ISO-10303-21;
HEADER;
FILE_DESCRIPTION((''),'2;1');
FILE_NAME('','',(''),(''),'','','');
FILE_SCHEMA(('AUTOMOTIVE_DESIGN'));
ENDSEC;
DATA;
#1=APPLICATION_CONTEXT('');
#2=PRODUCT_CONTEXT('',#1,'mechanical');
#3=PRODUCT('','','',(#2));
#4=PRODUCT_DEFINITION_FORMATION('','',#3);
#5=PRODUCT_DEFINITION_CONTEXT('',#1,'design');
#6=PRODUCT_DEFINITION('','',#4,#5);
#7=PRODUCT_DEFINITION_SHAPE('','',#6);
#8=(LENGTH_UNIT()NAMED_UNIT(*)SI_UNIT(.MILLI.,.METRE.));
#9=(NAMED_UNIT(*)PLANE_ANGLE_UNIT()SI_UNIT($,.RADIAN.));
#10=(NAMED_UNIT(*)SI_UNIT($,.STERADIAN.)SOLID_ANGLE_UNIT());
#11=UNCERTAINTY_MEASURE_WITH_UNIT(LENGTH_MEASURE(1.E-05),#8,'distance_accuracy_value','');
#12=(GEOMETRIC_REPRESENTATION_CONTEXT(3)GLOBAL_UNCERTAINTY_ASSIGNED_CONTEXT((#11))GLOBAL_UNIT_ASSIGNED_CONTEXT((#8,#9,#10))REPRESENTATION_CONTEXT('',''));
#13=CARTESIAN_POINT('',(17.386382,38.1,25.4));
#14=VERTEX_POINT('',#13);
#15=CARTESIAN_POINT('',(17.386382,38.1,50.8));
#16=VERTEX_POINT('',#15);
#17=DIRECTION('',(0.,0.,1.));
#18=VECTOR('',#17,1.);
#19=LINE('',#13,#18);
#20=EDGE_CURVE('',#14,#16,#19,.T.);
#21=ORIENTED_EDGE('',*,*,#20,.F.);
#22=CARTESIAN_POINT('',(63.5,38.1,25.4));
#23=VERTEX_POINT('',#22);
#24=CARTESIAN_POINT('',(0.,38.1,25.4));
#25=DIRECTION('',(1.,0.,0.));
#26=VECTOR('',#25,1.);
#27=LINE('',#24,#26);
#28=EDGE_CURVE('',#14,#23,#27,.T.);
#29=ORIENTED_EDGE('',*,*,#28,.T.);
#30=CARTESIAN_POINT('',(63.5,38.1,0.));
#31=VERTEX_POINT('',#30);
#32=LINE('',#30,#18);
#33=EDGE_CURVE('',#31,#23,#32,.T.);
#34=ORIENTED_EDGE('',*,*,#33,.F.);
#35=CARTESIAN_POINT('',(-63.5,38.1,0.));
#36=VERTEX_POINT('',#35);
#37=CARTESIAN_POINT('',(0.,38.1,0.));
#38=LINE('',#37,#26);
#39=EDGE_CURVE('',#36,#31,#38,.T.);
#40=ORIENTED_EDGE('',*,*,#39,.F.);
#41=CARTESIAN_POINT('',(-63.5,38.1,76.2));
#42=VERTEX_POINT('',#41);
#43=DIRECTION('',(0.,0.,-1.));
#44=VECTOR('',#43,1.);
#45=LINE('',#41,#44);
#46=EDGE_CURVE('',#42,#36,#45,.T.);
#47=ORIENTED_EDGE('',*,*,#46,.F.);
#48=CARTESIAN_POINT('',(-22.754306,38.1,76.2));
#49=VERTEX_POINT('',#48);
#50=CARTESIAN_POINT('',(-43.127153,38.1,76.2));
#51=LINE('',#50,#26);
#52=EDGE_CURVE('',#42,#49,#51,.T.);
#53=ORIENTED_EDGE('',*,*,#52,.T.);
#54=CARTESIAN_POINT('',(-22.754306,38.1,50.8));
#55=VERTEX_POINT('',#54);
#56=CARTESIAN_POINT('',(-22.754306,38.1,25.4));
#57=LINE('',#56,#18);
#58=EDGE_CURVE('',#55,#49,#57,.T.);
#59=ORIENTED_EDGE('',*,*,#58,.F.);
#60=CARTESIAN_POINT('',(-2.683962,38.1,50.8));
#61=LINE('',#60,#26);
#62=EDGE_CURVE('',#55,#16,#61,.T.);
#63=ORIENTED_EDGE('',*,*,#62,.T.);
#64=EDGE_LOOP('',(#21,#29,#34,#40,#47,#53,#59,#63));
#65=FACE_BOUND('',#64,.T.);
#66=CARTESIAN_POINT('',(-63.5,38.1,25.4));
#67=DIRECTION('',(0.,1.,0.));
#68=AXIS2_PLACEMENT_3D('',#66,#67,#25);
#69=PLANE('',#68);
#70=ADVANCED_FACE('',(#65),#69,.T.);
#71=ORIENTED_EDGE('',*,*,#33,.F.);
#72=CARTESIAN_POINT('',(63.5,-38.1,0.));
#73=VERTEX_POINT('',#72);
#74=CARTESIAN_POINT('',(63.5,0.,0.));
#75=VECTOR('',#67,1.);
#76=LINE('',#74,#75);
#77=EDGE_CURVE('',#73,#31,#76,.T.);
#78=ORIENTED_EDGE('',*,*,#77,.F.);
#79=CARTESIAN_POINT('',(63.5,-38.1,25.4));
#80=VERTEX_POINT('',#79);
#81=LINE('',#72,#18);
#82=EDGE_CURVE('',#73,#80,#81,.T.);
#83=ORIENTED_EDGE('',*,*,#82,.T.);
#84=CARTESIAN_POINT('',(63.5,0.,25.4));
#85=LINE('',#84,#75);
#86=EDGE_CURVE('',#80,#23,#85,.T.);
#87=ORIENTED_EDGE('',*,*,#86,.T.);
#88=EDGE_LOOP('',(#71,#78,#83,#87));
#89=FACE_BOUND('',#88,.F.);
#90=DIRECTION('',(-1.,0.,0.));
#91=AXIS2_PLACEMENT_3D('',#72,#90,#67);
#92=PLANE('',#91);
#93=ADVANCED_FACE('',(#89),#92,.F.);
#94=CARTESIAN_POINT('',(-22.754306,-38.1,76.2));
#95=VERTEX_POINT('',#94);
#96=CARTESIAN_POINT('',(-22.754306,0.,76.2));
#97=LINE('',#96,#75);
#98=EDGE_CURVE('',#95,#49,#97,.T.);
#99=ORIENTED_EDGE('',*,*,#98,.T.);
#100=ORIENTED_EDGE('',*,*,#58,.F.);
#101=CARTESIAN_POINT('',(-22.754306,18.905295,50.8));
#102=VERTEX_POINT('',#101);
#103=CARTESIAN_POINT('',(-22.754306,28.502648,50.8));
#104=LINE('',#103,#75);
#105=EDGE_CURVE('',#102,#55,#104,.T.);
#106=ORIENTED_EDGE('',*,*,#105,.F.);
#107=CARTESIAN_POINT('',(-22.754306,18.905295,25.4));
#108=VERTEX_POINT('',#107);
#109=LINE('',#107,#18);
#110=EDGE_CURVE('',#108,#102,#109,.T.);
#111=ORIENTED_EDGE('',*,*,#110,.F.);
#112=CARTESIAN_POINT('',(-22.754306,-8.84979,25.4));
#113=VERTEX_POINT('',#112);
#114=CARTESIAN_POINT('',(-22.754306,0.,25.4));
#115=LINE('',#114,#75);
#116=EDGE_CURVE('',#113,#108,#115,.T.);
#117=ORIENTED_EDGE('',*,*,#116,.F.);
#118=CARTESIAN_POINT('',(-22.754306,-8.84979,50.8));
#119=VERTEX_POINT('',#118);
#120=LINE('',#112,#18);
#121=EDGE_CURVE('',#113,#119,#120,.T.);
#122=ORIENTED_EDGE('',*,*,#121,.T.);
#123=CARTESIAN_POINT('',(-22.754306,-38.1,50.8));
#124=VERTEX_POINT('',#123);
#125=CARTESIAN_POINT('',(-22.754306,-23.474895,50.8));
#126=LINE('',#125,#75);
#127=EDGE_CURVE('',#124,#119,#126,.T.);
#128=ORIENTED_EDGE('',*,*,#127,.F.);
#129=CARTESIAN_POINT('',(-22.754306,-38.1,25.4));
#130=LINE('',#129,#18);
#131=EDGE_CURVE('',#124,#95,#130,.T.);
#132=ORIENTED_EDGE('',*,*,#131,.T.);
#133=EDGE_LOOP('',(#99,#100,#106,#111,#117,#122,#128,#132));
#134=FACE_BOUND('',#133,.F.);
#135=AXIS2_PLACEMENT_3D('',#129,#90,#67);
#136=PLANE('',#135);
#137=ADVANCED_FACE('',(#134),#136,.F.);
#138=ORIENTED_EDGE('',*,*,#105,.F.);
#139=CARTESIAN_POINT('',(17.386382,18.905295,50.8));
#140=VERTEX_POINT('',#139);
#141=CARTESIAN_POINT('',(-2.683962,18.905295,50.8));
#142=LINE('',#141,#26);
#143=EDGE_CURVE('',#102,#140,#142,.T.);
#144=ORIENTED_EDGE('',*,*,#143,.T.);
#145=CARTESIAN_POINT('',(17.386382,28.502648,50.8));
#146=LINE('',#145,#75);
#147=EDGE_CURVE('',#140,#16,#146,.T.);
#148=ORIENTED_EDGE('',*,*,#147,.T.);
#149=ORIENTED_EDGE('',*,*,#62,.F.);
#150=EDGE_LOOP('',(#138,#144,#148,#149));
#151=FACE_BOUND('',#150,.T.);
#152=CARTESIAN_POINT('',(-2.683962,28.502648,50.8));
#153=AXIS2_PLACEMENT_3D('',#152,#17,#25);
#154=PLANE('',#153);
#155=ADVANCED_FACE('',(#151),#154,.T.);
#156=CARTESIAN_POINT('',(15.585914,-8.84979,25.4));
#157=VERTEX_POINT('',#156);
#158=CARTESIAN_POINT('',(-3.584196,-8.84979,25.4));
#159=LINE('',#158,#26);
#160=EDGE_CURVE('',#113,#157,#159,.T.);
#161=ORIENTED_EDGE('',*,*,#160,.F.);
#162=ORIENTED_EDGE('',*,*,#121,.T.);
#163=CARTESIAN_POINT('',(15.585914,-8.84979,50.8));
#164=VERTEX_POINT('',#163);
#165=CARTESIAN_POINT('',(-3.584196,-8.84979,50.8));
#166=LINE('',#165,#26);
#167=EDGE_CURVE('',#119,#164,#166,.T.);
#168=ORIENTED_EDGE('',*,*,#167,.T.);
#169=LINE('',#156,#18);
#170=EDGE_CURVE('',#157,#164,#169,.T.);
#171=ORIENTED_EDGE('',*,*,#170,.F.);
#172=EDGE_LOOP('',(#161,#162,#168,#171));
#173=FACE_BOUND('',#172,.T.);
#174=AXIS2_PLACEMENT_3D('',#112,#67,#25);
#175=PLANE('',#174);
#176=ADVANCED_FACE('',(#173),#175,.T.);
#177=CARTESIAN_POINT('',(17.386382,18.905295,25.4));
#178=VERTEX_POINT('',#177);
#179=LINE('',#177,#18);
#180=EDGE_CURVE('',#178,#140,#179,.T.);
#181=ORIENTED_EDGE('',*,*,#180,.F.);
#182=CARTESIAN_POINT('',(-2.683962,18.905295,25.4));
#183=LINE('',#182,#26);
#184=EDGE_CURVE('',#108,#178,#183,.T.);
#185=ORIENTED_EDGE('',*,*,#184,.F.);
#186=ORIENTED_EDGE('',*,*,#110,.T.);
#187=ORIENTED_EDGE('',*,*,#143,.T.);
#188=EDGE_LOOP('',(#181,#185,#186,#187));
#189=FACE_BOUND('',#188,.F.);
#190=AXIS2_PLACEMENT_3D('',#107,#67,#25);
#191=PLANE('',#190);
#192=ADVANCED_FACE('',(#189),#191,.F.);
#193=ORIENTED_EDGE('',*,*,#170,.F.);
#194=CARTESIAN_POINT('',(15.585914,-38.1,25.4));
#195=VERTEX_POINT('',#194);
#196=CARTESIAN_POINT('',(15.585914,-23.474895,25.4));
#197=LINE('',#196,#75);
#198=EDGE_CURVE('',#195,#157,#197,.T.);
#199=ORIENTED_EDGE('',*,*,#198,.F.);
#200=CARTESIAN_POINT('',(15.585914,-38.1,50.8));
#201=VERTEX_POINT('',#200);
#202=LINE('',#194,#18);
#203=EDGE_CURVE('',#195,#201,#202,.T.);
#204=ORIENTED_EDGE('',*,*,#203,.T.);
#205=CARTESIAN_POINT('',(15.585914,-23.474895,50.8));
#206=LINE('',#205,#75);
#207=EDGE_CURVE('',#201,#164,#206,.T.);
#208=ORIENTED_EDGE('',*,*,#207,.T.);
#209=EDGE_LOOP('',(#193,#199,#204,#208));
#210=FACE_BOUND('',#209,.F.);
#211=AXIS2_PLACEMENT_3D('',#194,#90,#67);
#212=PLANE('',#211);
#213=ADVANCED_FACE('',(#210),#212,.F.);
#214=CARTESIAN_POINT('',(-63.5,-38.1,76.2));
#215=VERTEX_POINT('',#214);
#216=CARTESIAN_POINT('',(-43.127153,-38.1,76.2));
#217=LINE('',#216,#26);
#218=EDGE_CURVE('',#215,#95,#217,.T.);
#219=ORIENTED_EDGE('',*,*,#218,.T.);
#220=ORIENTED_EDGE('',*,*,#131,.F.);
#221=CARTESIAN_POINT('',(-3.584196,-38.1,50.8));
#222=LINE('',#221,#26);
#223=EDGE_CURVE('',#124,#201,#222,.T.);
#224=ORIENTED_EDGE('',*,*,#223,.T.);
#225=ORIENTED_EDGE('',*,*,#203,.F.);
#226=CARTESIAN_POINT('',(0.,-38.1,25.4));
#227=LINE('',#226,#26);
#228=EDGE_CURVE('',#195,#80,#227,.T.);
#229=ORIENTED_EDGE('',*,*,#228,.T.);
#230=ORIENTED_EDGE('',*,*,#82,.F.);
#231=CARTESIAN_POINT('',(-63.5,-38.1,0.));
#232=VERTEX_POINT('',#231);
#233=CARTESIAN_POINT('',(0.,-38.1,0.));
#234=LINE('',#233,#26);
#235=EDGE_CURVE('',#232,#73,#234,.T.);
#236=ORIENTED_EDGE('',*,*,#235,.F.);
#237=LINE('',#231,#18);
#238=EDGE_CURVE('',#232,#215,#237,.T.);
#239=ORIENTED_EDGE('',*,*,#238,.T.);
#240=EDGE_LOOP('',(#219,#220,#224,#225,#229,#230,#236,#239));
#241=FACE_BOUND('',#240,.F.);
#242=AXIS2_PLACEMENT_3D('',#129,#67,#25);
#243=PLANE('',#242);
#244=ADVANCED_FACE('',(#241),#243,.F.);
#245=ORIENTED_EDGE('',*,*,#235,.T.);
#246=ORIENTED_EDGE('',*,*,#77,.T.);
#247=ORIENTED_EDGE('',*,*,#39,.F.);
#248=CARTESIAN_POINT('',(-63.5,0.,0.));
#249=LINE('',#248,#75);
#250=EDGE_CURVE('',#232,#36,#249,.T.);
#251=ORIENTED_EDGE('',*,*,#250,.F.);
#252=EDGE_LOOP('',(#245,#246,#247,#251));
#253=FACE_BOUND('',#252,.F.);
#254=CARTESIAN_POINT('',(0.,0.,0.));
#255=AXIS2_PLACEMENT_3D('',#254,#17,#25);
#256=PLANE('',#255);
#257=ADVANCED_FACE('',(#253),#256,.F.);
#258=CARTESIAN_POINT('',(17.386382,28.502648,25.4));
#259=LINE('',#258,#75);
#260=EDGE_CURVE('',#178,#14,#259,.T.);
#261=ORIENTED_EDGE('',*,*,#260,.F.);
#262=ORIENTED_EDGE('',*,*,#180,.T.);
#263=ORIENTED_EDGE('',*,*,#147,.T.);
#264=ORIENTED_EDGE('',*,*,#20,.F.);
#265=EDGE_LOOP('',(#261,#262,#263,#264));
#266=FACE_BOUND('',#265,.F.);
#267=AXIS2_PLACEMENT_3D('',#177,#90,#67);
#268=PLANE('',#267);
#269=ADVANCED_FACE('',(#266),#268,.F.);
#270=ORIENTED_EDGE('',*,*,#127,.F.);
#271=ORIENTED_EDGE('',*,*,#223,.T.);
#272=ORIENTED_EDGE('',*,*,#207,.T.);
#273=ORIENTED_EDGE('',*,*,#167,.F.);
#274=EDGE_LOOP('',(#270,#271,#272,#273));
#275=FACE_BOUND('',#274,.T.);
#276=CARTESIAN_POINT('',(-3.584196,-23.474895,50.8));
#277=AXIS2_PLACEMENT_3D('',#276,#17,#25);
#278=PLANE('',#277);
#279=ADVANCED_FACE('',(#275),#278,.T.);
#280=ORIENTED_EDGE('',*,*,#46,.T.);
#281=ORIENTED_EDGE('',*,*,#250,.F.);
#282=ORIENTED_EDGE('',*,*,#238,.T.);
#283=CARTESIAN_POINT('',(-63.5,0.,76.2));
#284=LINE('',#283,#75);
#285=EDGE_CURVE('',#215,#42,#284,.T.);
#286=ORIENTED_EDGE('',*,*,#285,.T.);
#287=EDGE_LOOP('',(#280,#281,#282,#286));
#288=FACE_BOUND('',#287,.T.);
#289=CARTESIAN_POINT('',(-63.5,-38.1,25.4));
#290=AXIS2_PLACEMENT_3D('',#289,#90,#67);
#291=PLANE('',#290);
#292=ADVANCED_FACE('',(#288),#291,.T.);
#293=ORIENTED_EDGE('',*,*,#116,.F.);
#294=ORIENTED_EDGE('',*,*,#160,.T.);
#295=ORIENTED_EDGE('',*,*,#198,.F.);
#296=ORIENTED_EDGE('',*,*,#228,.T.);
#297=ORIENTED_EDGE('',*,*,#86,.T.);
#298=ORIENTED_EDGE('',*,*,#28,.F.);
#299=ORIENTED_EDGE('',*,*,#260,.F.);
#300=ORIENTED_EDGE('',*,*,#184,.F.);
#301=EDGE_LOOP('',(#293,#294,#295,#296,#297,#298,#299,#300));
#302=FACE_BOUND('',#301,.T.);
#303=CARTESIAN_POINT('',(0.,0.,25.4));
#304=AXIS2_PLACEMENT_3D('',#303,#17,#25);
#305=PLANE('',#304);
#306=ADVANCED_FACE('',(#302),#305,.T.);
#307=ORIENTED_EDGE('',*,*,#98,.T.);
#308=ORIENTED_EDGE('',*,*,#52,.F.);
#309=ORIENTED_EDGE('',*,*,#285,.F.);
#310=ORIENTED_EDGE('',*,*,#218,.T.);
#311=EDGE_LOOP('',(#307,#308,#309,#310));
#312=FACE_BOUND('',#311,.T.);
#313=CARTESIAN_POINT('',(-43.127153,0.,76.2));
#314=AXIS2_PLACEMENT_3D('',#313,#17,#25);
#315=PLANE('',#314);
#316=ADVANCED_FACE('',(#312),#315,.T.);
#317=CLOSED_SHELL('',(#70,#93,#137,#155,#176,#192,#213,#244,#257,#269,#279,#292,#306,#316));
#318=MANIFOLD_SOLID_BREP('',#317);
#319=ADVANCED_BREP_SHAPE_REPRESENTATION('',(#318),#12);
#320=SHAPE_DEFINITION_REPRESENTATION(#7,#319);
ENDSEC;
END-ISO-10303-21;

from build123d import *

# Parameters (mm, degrees)
F0_W     = 127
F0_H     = 76.2
F1_DEPTH = 25.4
F2_W     = 40.7456940264
F2_H     = 76.2
F3_DEPTH = 50.8
F4_W     = 40.1406884193
F4_H     = 19.1947049409
F5_DEPTH = 25.4
F6_W     = 38.3402202278
F6_H     = 29.2502096802
F7_DEPTH = 25.4


with BuildPart() as f1:
    # F0 (on Top) → F1 (new body)
    with BuildSketch(Plane.XY):
        Rectangle(F0_W, F0_H)
    extrude(amount=F1_DEPTH)

    # F2 (on face) → F3 (join)
    with BuildSketch(Plane.XY.offset(25.4)):
        with Locations((-43.1271529868, 0)):
            Rectangle(F2_W, F2_H)
    extrude(amount=F3_DEPTH)

    # F4 (on face) → F5 (join)
    with BuildSketch(Plane.XY.offset(25.4)):
        with Locations((-2.683961764, 28.5026475295)):
            Rectangle(F4_W, F4_H)
    extrude(amount=F5_DEPTH)

    # F6 (on face) → F7 (join)
    with BuildSketch(Plane.XY.offset(25.4)):
        with Locations((-3.5841958597, -23.4748951599)):
            Rectangle(F6_W, F6_H)
    extrude(amount=F7_DEPTH)


solid = f1.part
